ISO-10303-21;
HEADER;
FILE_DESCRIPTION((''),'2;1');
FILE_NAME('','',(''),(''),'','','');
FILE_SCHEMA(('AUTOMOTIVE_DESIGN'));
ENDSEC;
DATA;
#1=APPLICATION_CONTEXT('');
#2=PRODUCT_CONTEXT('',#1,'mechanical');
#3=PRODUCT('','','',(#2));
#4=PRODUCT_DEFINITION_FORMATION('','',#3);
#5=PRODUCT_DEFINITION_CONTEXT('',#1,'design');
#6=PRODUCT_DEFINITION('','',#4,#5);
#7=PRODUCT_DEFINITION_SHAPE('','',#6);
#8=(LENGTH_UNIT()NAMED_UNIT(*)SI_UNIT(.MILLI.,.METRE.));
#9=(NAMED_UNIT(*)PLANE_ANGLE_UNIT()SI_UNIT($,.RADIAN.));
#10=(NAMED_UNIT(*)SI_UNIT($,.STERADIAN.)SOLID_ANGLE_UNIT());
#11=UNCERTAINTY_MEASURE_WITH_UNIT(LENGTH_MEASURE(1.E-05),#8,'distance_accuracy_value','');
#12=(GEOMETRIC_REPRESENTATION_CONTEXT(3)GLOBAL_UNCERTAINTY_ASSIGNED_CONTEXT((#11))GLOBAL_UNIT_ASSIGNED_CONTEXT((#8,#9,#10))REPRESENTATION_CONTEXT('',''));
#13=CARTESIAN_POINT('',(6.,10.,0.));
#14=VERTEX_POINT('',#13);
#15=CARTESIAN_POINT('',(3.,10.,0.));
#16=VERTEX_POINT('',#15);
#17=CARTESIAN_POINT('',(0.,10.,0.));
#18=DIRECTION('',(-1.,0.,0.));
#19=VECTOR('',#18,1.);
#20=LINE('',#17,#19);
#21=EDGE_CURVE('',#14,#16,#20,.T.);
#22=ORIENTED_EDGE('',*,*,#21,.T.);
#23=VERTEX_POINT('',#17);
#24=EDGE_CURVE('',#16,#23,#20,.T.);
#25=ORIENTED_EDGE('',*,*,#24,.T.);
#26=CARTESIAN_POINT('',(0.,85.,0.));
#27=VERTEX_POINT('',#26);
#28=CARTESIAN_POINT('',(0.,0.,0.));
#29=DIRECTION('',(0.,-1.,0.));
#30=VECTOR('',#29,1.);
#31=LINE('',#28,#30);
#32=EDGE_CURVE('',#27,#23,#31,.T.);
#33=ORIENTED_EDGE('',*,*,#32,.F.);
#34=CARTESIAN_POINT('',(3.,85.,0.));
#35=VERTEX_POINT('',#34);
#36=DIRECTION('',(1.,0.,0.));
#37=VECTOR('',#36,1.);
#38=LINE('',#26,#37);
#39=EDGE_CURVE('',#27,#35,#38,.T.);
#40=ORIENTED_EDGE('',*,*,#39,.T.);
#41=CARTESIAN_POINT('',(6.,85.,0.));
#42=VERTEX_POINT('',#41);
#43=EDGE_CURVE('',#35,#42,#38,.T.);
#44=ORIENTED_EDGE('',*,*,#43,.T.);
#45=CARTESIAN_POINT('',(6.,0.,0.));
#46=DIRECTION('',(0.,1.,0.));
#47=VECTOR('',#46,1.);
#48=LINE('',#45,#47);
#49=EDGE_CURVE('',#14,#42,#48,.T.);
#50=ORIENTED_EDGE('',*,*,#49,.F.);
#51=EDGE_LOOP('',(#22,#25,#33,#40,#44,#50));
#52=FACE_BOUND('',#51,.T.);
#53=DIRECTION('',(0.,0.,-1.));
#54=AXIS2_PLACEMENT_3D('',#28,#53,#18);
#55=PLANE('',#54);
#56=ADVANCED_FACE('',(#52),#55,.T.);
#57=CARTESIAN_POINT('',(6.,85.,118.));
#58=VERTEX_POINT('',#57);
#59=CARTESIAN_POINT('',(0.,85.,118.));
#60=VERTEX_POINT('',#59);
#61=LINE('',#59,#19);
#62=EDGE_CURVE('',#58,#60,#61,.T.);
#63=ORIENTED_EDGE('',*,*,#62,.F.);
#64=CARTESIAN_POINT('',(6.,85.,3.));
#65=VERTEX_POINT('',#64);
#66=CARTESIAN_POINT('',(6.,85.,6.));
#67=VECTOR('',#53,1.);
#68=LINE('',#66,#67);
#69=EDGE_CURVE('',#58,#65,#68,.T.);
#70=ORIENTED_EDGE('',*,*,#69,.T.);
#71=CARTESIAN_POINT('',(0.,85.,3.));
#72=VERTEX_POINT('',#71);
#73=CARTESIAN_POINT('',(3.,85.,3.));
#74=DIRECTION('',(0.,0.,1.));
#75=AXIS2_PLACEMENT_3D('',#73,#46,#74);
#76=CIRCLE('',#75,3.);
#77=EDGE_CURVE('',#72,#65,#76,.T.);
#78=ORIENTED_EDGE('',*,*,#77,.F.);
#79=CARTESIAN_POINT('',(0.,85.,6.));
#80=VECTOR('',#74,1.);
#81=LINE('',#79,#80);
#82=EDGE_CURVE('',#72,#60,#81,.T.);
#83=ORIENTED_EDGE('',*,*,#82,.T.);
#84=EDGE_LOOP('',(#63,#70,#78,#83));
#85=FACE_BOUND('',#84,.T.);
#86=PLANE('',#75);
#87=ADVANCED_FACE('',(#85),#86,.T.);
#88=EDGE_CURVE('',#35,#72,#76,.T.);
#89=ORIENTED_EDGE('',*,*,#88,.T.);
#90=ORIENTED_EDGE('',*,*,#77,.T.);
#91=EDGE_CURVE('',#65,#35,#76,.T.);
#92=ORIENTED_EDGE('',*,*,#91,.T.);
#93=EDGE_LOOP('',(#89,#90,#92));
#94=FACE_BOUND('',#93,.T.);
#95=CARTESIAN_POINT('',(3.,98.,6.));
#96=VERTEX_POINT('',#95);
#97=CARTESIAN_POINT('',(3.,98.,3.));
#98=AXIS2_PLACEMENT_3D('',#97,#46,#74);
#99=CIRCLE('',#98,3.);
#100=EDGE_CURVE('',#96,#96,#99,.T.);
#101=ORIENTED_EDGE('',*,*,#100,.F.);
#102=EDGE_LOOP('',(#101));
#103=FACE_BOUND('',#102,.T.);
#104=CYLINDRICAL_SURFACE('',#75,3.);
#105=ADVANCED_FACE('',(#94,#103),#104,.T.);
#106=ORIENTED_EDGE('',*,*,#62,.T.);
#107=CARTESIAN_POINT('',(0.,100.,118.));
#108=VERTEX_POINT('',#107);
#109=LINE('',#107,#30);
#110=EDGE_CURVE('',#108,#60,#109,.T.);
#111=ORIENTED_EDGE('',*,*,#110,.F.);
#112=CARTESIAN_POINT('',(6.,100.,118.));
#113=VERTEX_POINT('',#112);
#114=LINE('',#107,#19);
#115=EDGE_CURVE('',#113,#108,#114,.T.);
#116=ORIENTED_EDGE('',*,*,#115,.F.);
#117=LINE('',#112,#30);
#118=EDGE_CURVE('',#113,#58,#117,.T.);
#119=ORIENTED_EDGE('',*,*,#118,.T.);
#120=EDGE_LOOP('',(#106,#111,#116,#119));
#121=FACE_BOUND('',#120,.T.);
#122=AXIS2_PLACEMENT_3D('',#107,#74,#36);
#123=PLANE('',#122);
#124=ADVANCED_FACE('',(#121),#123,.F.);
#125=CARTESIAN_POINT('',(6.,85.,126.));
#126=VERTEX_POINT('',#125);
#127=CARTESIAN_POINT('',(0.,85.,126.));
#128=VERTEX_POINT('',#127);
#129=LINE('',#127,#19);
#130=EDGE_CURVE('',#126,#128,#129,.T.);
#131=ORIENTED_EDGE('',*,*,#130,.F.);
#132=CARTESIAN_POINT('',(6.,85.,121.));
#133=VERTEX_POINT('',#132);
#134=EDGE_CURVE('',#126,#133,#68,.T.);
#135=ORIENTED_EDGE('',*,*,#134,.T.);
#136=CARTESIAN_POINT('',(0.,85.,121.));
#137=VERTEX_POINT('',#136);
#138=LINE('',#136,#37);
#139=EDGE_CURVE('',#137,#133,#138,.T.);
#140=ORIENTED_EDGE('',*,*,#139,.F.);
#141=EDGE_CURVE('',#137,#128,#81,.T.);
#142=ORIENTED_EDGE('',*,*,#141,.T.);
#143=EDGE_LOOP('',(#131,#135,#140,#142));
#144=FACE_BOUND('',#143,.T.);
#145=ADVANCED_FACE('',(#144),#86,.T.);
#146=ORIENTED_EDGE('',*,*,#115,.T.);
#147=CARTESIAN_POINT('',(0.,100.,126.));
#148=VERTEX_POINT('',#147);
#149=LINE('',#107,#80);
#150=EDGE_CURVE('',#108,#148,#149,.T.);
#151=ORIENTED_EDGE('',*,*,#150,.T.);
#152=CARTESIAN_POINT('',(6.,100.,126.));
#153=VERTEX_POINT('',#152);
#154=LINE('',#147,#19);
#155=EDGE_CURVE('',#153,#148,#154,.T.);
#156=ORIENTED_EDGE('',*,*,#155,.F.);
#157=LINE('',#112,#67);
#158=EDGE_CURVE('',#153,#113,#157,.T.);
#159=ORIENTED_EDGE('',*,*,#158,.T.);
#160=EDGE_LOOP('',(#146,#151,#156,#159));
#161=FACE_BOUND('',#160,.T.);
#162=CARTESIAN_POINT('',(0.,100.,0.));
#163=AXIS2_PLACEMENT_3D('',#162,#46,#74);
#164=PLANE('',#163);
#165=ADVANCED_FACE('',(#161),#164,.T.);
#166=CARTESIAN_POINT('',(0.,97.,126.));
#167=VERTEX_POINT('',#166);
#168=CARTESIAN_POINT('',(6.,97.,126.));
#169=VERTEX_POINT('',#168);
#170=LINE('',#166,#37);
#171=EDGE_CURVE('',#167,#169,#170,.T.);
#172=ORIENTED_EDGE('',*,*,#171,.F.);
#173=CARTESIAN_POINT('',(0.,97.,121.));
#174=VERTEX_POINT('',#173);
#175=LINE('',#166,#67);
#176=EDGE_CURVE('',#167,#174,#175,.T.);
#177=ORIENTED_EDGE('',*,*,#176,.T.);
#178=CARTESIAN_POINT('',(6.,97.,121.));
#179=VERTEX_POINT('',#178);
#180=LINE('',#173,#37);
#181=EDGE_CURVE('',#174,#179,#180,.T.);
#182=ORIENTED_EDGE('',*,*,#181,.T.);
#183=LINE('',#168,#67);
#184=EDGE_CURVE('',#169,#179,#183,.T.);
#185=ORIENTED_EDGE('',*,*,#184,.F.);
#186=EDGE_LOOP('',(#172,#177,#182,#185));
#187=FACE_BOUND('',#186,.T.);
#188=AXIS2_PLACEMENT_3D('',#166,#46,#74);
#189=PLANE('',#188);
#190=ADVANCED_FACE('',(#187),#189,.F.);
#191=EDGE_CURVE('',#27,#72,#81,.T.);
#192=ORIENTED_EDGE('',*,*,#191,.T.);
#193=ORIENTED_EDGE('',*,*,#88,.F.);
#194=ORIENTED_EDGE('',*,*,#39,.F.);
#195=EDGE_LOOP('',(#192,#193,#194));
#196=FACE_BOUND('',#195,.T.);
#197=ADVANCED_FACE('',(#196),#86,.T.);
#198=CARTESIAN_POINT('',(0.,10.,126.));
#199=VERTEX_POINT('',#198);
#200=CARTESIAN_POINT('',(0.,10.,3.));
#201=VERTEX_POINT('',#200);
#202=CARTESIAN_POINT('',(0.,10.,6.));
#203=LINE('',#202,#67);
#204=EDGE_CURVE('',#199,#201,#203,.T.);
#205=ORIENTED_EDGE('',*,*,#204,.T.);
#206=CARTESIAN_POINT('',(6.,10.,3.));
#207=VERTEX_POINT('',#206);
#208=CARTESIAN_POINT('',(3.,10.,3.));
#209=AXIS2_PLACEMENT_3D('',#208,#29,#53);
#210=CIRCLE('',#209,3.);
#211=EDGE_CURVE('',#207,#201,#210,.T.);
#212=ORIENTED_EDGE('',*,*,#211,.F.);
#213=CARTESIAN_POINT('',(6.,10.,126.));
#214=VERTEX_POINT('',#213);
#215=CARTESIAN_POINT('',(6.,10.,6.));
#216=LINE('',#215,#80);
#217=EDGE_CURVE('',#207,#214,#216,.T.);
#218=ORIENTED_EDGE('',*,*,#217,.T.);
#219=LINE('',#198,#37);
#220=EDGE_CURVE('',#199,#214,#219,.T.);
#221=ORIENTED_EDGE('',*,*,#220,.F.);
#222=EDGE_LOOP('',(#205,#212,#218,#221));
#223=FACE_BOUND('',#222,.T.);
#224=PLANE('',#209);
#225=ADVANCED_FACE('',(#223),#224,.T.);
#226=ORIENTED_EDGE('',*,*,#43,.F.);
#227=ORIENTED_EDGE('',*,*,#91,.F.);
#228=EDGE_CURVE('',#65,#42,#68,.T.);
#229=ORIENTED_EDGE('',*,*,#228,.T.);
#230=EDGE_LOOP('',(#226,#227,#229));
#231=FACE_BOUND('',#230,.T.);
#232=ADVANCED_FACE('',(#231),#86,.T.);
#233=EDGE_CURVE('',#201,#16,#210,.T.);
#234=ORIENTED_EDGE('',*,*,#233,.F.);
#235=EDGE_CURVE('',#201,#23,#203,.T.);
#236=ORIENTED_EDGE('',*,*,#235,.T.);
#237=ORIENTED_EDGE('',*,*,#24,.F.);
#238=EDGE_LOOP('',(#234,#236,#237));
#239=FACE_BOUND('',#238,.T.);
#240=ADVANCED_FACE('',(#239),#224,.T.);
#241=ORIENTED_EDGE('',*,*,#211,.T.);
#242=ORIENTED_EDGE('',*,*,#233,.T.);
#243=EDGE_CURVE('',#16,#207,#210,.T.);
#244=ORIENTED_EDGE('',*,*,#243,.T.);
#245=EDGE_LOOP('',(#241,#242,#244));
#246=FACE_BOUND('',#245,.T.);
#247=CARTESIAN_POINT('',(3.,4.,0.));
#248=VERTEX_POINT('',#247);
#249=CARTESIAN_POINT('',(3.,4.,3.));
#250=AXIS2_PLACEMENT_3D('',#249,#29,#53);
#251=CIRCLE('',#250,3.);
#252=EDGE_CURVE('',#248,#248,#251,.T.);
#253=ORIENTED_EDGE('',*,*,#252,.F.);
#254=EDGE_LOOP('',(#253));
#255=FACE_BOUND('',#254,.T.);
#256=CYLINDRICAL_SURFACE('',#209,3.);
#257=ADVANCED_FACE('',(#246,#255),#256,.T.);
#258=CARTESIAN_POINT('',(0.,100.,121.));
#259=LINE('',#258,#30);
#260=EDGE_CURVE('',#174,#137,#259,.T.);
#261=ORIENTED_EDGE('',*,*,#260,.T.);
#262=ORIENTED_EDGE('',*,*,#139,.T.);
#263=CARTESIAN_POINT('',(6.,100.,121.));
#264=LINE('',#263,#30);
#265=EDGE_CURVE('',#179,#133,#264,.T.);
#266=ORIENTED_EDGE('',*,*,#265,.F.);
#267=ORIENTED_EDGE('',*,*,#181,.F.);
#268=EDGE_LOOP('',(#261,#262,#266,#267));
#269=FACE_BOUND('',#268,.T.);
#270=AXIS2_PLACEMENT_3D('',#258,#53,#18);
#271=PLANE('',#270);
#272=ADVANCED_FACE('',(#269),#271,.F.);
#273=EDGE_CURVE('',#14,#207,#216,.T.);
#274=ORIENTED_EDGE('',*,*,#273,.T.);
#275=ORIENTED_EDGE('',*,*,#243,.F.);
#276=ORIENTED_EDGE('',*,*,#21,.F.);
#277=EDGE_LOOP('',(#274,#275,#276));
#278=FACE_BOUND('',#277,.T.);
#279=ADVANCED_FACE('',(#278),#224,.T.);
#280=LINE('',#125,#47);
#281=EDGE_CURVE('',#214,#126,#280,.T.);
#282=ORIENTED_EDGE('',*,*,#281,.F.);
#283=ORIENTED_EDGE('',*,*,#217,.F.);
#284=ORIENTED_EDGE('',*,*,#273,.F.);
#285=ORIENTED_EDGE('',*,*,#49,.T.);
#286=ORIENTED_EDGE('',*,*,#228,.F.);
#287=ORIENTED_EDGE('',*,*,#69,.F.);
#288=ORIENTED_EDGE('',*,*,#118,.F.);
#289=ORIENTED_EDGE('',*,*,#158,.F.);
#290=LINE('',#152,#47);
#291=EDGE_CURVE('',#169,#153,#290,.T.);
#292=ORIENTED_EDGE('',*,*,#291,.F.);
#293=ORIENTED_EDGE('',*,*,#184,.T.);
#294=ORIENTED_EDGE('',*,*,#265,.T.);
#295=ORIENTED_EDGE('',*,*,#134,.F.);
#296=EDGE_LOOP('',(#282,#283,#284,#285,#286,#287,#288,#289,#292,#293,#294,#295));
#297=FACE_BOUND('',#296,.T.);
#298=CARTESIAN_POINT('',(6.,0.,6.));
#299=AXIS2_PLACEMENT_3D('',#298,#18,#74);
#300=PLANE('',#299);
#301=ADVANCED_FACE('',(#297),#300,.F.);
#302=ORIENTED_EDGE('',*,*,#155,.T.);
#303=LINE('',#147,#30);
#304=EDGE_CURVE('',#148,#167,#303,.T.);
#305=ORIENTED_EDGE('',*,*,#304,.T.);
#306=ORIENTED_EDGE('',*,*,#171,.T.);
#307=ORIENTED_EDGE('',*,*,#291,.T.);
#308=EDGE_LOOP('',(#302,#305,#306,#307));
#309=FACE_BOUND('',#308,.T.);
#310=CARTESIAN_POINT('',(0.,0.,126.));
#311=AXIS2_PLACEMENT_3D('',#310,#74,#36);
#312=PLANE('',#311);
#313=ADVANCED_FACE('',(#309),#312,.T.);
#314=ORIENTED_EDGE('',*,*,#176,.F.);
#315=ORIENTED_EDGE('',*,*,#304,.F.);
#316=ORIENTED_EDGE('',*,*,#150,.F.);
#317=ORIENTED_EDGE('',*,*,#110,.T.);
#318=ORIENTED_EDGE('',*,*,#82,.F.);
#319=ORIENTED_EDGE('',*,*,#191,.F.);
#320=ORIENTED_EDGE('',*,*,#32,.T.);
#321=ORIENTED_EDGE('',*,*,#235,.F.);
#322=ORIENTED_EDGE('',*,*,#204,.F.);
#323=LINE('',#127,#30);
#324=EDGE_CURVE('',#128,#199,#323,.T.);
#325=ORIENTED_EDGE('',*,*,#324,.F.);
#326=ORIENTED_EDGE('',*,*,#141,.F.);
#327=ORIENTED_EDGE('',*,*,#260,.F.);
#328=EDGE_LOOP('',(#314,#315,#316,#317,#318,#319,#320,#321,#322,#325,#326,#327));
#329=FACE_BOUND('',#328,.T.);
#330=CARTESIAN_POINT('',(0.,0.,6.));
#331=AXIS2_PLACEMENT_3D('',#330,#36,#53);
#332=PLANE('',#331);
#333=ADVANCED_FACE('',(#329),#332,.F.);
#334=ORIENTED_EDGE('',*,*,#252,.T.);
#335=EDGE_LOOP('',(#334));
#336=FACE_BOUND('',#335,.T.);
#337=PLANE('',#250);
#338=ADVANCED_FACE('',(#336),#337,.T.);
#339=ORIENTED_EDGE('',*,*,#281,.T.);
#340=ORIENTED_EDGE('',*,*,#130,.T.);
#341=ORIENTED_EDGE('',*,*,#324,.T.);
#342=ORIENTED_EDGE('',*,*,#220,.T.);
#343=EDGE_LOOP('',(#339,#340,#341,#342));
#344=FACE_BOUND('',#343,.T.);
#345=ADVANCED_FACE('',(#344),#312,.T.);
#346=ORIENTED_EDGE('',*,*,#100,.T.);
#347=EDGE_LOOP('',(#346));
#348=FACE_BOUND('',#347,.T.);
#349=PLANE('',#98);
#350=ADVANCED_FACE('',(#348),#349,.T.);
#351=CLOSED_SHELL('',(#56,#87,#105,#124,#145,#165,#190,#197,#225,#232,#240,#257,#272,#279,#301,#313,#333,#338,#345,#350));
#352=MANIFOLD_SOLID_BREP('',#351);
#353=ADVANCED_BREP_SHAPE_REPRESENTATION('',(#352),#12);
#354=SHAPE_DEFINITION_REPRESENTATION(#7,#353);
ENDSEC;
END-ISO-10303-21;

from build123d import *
from build123d.topology import SkipClean

# Parameters (mm, degrees)
SKICA1_W                 = 6
SKICA1_H                 = 100
P_IDAT_VYSUNUT_M1_DEPTH  = 6
SKICA4_OUTSIDE_W         = 28.072
SKICA4_OUTSIDE_H         = 28.072
SKICA4_OUTSIDE_R         = 3
ODEBRAT_VYSUNUT_M3_DEPTH = 15
SKICA6_OUTSIDE_W         = 28.072
SKICA6_OUTSIDE_H         = 28.072
SKICA6_OUTSIDE_R         = 3
ODEBRAT_VYSUNUT_M4_DEPTH = 10
SKICA7_R                 = 3
ODEBRAT_VYSUNUT_M5_DEPTH = 5
SKICA10_R                = 3
P_IDAT_VYSUNUT_M2_DEPTH  = 1
SKICA11_W                = 6
SKICA11_H                = 75
P_IDAT_VYSUNUT_M3_DEPTH  = 120
SKICA14_R                = 3
ODEBRAT_VYSUNUT_M8_DEPTH = 2
SKICA19_W                = 6
SKICA19_H                = 3
P_IDAT_VYSUNUT_M6_DEPTH  = 15
SKICA20_W                = 6
SKICA20_H                = 3
P_IDAT_VYSUNUT_M8_DEPTH  = 5


with BuildPart() as part:
    # Skica1 → Přidat vysunutím1 (new body)
    with BuildSketch(Plane.XY):
        with Locations((3, 50)):
            Rectangle(SKICA1_W, SKICA1_H)
    extrude(amount=P_IDAT_VYSUNUT_M1_DEPTH)

    # Skica4 outside → Odebrat vysunutím3 (cut)
    with BuildSketch(Plane(origin=(0, 100, 0), x_dir=(1, 0, 0), z_dir=(0, 1, 0))):
        with Locations((3, -3)):
            Rectangle(SKICA4_OUTSIDE_W, SKICA4_OUTSIDE_H)
        with Locations(Location((3, -3, 0), (0, 0, 270))):
            Circle(SKICA4_OUTSIDE_R, mode=Mode.SUBTRACT)
    extrude(amount=-ODEBRAT_VYSUNUT_M3_DEPTH, mode=Mode.SUBTRACT)

    # Skica6 outside → Odebrat vysunutím4 (cut)
    with BuildSketch(Plane.XZ):
        with Locations((3, 3)):
            Rectangle(SKICA6_OUTSIDE_W, SKICA6_OUTSIDE_H)
        with Locations(Location((3, 3, 0), (0, 0, 90))):
            Circle(SKICA6_OUTSIDE_R, mode=Mode.SUBTRACT)
    extrude(amount=-ODEBRAT_VYSUNUT_M4_DEPTH, mode=Mode.SUBTRACT)

    # Skica7 → Odebrat vysunutím5 (cut)
    with BuildSketch(Plane.XZ):
        with Locations(Location((3, 3, 0), (0, 0, 270))):
            Circle(SKICA7_R)
    extrude(amount=-ODEBRAT_VYSUNUT_M5_DEPTH, mode=Mode.SUBTRACT)

    # Skica10 → Přidat vysunutím2 (add)
    with SkipClean():  # the faces are left unmerged after this step: merging them gives an invalid solid
        with BuildSketch(Plane.XZ.offset(-5)):
            with Locations(Location((3, 3, 0), (0, 0, 270))):
                Circle(SKICA10_R)
        extrude(amount=P_IDAT_VYSUNUT_M2_DEPTH)

    # Skica11 → Přidat vysunutím3 (add)
    with SkipClean():  # the faces are left unmerged after this step: merging them gives an invalid solid
        with BuildSketch(Plane.XY.offset(6)):
            with Locations((3, 47.5)):
                Rectangle(SKICA11_W, SKICA11_H)
        extrude(amount=P_IDAT_VYSUNUT_M3_DEPTH)

    # Skica14 → Odebrat vysunutím8 (cut)
    with SkipClean():  # the faces are left unmerged after this step: merging them gives an invalid solid
        with BuildSketch(Plane(origin=(0, 100, 0), x_dir=(1, 0, 0), z_dir=(0, 1, 0))):
            with Locations(Location((3, -3, 0), (0, 0, 270))):
                Circle(SKICA14_R)
        extrude(amount=-ODEBRAT_VYSUNUT_M8_DEPTH, mode=Mode.SUBTRACT)

    # Skica19 → Přidat vysunutím6 (add)
    with SkipClean():  # the faces are left unmerged after this step: merging them gives an invalid solid
        with BuildSketch(Plane(origin=(0, 85, 0), x_dir=(1, 0, 0), z_dir=(0, 1, 0))):
            with Locations((3, -119.5)):
                Rectangle(SKICA19_W, SKICA19_H)
        extrude(amount=P_IDAT_VYSUNUT_M6_DEPTH)

    # Skica20 → Přidat vysunutím8 (add)
    with SkipClean():  # the faces are left unmerged after this step: merging them gives an invalid solid
        with BuildSketch(Plane.XY.offset(121)):
            with Locations((3, 98.5)):
                Rectangle(SKICA20_W, SKICA20_H)
        extrude(amount=P_IDAT_VYSUNUT_M8_DEPTH)


solid = part.part
